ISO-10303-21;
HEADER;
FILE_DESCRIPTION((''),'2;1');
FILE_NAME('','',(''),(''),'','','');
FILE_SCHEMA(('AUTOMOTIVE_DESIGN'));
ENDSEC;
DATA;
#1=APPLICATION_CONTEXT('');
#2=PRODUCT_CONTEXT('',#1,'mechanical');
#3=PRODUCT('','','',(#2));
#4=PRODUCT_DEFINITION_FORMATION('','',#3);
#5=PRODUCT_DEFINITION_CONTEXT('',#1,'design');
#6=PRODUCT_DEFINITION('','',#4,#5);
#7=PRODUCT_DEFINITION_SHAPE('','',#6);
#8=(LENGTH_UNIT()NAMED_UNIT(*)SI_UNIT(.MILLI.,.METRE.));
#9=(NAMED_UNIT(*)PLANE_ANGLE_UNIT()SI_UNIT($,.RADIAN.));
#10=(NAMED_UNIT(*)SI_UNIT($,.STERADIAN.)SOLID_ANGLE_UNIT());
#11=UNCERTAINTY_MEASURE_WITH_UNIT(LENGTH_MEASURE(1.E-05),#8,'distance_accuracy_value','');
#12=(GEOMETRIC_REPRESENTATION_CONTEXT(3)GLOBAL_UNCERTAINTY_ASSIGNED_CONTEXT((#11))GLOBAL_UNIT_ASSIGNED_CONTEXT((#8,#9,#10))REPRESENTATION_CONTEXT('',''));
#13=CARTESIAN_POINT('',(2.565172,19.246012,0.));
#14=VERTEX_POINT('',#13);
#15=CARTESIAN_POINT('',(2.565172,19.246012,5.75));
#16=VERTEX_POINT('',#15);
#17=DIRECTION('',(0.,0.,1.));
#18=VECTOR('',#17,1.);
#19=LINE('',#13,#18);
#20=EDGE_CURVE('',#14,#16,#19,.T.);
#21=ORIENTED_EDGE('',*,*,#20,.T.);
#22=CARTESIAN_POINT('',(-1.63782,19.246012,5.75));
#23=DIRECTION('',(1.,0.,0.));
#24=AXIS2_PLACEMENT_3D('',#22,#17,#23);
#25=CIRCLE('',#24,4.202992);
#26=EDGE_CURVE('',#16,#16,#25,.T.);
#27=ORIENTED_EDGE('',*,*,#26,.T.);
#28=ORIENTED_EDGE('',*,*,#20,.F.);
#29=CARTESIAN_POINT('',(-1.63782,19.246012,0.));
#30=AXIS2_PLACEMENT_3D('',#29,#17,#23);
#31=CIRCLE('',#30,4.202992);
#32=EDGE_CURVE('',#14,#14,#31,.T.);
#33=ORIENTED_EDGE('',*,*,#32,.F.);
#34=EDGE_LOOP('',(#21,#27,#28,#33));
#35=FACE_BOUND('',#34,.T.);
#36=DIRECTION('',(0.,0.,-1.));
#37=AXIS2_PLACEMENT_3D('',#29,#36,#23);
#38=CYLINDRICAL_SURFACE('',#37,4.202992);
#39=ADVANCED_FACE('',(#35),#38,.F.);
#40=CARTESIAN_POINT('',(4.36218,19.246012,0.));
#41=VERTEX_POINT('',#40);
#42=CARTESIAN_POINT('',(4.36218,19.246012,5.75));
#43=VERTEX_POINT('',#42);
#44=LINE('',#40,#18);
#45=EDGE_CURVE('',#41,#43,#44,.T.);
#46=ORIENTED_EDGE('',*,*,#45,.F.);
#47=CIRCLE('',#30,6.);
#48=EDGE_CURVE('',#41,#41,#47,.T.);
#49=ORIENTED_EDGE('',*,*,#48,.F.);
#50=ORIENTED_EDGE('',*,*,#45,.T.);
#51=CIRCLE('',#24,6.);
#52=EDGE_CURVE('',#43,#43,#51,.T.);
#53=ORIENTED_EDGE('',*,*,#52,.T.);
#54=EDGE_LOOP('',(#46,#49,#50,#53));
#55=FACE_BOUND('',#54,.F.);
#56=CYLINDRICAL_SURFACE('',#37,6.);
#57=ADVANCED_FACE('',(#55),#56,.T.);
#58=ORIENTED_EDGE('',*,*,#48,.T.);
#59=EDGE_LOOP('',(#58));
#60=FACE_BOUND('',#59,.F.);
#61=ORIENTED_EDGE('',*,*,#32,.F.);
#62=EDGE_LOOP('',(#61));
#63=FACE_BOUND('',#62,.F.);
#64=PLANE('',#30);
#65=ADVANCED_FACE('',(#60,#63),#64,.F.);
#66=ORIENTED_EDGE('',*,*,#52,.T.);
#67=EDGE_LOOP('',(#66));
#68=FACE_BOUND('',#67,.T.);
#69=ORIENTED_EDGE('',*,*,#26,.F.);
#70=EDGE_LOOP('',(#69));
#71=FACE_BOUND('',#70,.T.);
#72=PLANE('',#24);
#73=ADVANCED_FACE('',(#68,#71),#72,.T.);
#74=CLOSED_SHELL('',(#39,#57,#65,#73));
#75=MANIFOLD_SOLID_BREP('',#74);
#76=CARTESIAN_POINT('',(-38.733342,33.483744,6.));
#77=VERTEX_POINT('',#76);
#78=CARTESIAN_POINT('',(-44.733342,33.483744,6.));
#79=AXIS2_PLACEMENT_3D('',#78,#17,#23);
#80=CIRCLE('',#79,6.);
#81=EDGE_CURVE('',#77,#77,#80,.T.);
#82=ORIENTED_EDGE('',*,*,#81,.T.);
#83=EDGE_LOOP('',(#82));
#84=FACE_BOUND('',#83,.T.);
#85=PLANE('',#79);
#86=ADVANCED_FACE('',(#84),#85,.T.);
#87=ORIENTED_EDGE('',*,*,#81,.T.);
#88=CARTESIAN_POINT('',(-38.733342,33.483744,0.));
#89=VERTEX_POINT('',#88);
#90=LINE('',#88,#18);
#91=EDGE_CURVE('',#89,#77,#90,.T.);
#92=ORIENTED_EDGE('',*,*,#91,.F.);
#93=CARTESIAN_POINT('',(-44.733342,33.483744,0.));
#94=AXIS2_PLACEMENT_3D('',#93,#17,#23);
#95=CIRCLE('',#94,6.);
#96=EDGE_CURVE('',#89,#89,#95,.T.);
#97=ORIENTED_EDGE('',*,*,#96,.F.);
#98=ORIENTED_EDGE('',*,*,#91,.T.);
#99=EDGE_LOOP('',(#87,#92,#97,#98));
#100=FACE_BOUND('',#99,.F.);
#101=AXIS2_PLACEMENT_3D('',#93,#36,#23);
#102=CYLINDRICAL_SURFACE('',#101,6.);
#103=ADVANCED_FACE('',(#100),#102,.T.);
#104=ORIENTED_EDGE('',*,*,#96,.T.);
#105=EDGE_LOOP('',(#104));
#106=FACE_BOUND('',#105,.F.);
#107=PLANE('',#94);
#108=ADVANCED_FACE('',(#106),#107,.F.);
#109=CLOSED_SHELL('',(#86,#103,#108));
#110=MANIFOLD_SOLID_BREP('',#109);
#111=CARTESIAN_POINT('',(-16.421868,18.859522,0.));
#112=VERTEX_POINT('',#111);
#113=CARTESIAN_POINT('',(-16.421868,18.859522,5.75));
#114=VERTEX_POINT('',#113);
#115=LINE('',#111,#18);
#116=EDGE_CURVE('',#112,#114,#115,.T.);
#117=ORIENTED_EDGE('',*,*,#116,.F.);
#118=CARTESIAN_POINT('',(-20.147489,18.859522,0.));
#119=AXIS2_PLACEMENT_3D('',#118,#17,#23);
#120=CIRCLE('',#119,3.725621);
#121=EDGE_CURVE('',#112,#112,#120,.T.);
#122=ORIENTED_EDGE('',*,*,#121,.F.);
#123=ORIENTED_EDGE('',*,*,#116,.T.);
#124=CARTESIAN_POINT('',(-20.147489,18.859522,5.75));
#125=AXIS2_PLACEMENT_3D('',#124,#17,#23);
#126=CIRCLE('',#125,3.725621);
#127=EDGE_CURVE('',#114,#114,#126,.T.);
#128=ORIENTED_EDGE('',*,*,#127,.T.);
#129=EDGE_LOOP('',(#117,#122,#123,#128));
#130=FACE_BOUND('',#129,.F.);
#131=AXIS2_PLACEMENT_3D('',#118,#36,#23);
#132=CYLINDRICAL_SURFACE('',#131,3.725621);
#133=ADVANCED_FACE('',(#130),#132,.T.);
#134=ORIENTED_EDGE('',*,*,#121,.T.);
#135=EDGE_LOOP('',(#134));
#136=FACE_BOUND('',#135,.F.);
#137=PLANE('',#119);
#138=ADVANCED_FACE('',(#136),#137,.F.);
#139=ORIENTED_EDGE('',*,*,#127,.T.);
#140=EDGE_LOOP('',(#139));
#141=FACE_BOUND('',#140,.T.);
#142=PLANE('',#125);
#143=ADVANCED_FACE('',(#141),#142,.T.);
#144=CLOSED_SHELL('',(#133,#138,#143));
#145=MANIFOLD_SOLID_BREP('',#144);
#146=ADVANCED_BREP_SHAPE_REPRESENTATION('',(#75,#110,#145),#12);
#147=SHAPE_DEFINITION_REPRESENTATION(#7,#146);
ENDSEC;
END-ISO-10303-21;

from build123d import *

# Parameters (mm, degrees)
F0_R     = 6
F1_DEPTH = 6
F2_R     = 6
F2_R_2   = 4.202992
F2_R_3   = 3.725621
F3_DEPTH = 5.75


with BuildPart() as f1:
    # F0 (on Top) → F1 (new body)
    with BuildSketch(Plane.XY):
        with Locations((-44.733342, 33.483744)):
            Circle(F0_R)
    extrude(amount=F1_DEPTH)


with BuildPart() as f3:
    # F2 (on Top) → F3 (new body)
    with BuildSketch(Plane.XY):
        with Locations((-1.63782, 19.246012)):
            Circle(F2_R)
        with Locations((-1.63782, 19.246012)):
            Circle(F2_R_2, mode=Mode.SUBTRACT)
        with Locations((-20.147489, 18.859522)):
            Circle(F2_R_3)
    extrude(amount=F3_DEPTH)


solid = Compound([f1.part, f3.part])
